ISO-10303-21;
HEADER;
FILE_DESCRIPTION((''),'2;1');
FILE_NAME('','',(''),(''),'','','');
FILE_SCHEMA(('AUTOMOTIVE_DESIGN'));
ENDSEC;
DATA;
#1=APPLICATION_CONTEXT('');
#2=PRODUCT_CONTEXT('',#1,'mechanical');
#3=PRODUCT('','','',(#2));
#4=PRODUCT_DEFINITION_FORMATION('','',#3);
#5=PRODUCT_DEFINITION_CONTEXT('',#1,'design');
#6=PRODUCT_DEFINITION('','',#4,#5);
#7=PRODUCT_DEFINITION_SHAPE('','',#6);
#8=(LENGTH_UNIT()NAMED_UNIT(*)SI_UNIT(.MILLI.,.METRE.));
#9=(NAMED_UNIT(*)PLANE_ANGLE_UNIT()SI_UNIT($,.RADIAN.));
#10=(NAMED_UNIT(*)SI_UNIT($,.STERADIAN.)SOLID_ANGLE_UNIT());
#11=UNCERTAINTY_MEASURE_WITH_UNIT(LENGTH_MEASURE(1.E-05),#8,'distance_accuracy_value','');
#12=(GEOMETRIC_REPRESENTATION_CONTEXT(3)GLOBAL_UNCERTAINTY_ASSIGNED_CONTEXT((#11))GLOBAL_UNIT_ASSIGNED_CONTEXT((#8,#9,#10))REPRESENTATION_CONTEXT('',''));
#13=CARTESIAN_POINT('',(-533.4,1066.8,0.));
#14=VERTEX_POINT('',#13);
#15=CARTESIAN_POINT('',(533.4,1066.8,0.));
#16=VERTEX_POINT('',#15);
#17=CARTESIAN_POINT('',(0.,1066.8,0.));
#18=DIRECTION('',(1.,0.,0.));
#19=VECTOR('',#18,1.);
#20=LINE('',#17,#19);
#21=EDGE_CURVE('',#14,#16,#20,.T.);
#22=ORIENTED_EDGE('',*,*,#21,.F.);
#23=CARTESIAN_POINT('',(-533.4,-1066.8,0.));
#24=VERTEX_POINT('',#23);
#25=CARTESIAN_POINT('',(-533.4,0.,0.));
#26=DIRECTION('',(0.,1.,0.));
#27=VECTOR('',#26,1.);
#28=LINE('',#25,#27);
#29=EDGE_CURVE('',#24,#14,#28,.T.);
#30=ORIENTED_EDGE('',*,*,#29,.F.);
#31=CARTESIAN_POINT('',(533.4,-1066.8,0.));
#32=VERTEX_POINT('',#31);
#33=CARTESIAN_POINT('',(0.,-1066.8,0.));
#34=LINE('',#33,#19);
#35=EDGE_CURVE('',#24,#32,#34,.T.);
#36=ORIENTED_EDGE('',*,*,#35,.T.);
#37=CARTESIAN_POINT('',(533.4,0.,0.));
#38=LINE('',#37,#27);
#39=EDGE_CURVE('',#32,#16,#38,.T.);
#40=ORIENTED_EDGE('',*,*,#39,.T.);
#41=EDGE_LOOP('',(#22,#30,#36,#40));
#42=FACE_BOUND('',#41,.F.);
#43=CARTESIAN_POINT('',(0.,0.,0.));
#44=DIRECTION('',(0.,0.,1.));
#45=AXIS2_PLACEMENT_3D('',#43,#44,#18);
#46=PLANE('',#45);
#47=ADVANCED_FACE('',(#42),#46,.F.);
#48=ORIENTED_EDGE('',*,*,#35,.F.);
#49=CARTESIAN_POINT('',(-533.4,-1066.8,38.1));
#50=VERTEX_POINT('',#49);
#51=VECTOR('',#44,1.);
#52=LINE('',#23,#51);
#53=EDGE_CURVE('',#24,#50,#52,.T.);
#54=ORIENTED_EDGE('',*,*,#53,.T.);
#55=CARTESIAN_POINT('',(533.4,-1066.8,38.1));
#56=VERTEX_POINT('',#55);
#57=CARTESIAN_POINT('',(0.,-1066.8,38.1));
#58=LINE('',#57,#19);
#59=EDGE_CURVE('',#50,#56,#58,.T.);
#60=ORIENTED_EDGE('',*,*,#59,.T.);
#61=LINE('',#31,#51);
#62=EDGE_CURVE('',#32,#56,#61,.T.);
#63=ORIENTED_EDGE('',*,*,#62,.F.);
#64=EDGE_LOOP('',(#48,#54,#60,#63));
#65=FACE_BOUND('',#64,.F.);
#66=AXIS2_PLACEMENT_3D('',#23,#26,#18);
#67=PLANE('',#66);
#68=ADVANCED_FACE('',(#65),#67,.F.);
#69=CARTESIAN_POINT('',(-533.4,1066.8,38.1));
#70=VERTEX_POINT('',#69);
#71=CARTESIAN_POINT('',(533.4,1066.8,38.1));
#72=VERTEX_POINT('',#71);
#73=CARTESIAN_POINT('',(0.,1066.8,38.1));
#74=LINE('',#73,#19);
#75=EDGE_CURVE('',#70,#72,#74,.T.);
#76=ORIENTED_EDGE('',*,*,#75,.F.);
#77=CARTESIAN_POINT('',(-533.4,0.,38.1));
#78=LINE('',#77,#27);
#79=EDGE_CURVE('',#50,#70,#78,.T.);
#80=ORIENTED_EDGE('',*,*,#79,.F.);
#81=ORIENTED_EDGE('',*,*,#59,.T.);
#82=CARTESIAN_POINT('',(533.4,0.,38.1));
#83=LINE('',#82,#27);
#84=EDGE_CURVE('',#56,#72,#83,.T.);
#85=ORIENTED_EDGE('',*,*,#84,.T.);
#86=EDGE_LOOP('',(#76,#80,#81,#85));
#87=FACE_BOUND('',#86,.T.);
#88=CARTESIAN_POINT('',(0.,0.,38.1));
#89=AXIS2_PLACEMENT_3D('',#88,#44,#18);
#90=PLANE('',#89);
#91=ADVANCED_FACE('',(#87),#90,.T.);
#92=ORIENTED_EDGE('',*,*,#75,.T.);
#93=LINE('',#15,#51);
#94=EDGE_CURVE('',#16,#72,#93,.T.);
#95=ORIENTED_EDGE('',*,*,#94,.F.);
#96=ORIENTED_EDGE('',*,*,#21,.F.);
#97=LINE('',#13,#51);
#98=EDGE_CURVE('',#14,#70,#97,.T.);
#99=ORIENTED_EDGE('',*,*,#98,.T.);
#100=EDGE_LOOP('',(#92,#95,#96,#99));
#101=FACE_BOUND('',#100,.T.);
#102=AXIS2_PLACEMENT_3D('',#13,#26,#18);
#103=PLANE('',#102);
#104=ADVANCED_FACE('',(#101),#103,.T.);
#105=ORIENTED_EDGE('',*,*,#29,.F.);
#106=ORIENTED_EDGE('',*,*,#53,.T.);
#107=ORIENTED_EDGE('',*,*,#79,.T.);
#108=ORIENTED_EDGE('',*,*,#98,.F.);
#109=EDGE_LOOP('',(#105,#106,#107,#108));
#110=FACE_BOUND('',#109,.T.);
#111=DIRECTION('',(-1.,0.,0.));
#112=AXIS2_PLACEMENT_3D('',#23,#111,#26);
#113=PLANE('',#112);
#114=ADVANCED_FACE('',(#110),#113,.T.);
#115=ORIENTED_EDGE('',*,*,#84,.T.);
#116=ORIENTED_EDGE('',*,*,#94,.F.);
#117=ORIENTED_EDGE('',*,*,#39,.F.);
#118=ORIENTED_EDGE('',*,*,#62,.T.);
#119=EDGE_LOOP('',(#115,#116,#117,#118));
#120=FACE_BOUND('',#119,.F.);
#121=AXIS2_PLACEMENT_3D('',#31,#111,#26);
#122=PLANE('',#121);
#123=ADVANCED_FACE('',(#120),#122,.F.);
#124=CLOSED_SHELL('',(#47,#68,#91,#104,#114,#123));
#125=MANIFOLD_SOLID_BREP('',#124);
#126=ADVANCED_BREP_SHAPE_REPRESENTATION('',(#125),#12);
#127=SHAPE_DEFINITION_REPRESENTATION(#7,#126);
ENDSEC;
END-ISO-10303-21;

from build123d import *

# Parameters (mm, degrees)
F1_W     = 1066.8
F1_H     = 2133.6
F2_DEPTH = 38.1
F0_W     = 1066.8
F0_H     = 2133.6


with BuildPart() as f2:
    # F1 (on face) → F2 (new body)
    with BuildSketch(Plane.XY):
        Rectangle(F1_W, F1_H)
    extrude(amount=F2_DEPTH)


with BuildPart() as f2b:
    # F0 (on Top) → F2, piece 2 (new body)
    with BuildSketch(Plane.XY):
        Rectangle(F0_W, F0_H)
    extrude(amount=F2_DEPTH)


solid = f2.part
